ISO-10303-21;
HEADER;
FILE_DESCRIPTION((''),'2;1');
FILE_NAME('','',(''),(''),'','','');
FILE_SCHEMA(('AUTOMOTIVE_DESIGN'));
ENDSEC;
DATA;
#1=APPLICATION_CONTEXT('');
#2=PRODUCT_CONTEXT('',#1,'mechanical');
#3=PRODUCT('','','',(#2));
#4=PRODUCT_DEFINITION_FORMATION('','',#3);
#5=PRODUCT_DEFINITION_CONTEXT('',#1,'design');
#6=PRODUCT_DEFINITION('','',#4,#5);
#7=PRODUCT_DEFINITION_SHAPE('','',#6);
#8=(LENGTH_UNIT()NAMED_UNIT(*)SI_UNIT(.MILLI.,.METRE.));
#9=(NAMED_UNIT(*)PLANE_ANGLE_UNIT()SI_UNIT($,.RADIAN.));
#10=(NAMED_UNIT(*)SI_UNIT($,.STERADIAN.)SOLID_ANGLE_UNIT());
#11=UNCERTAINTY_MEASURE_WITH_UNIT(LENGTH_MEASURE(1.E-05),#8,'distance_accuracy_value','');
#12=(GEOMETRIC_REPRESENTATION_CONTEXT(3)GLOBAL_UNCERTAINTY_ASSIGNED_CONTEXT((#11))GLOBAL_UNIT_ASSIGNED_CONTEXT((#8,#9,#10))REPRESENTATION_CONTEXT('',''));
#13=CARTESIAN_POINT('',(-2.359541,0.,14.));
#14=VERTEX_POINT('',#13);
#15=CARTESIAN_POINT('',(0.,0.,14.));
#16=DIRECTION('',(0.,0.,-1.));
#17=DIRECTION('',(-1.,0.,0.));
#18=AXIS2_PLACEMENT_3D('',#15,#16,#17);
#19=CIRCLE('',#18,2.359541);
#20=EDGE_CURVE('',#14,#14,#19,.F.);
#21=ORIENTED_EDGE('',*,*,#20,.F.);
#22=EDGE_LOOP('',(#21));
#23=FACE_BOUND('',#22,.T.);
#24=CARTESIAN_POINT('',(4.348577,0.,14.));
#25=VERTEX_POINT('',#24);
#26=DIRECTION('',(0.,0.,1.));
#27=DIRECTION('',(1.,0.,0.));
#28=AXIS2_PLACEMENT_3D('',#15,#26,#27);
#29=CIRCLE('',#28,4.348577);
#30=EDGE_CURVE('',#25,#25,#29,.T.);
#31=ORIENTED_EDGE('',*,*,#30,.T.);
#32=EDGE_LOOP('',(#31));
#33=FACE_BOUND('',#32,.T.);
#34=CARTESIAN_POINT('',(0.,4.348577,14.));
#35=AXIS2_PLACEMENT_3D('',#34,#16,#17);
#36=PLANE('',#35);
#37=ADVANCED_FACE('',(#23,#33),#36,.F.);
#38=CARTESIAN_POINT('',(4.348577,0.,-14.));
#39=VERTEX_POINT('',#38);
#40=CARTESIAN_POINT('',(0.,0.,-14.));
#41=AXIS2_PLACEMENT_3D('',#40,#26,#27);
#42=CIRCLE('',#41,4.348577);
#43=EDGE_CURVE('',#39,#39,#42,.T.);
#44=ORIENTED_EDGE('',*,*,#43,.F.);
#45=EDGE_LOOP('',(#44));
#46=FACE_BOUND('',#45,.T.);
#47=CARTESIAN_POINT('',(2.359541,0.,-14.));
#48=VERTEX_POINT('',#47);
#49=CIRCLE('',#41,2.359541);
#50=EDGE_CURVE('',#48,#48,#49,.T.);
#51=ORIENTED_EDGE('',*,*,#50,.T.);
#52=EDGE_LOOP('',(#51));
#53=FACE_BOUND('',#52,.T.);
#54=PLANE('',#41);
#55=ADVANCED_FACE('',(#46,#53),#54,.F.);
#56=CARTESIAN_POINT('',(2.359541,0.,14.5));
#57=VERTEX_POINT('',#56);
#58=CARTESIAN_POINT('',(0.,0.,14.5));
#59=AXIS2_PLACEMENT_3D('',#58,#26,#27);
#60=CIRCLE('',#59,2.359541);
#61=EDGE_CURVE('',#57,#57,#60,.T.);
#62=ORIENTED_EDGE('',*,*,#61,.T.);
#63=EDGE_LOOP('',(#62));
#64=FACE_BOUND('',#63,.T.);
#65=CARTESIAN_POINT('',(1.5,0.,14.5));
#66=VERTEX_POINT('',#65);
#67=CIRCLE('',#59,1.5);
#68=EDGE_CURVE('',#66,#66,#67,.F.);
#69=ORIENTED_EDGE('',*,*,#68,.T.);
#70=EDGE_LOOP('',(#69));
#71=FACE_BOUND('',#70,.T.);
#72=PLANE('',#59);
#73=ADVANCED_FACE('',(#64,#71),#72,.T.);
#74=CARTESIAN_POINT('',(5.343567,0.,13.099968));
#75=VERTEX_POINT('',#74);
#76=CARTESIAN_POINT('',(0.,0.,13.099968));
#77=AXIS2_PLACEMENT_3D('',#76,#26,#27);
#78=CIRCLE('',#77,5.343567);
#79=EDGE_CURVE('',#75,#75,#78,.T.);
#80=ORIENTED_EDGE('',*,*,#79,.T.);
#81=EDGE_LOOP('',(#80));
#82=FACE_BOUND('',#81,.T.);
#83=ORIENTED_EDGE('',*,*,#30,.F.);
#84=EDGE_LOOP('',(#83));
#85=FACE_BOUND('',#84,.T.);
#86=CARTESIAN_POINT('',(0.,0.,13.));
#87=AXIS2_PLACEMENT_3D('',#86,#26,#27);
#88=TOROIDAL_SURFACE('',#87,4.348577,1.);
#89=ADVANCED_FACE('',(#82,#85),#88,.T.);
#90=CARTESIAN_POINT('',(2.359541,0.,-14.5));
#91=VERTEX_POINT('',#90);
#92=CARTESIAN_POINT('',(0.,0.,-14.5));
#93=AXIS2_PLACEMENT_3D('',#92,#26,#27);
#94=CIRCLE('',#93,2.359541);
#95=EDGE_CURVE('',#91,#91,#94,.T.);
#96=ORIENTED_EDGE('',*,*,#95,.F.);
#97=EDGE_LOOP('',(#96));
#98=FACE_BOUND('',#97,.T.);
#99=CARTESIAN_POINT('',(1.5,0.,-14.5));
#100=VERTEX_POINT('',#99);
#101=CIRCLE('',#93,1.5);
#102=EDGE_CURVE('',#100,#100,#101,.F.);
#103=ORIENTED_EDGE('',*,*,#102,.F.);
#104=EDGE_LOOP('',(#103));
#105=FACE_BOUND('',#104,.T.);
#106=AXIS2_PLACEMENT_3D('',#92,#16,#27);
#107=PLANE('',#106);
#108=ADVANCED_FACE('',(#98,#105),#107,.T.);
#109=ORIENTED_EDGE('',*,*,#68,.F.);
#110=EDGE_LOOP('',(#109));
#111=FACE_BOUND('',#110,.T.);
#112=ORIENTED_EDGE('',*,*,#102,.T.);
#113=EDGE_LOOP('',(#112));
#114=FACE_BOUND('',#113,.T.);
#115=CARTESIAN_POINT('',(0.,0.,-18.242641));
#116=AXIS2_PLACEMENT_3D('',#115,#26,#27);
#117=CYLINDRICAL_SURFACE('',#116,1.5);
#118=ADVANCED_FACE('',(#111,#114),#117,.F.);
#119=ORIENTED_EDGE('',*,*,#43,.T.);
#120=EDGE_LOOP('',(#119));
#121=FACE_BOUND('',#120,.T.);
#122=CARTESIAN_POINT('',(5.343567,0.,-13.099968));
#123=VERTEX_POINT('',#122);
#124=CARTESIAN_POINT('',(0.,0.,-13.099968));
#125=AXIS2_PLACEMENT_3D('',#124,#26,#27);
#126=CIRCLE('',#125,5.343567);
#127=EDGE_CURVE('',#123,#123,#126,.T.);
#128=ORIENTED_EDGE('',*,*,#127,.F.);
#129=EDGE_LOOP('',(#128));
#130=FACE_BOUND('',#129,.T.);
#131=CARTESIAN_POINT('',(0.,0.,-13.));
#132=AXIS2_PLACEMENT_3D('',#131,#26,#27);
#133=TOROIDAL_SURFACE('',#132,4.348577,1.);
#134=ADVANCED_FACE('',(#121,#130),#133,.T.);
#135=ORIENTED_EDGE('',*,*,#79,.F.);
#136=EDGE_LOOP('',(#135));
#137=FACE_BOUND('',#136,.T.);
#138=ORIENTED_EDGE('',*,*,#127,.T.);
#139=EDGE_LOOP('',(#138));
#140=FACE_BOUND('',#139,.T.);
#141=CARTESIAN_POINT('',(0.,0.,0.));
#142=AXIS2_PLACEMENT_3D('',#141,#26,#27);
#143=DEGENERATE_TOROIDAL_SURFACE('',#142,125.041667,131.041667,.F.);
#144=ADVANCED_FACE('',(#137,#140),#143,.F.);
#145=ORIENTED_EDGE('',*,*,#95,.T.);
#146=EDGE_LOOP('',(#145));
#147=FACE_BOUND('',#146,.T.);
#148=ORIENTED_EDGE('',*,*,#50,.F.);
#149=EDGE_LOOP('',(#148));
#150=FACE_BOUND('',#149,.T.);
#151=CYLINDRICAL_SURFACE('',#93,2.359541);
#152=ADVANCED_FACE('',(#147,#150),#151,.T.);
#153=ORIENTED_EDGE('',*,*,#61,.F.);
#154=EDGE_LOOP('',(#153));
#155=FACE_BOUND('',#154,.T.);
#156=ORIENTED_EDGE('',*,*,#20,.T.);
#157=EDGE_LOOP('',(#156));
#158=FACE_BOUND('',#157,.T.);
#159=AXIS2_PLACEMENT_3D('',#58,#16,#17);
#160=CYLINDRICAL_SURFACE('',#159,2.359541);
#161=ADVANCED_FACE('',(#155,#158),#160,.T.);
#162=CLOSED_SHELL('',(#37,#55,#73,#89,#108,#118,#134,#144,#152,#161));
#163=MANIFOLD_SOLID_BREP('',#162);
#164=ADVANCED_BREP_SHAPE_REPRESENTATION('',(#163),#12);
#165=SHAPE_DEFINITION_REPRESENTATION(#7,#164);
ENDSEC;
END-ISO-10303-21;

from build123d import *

# Parameters (mm, degrees)
SKETCH_2_R          = 1.5
CUT_EXTRUDE_1_DEPTH = 28
SKETCH_2_4_R        = 3.75
SKETCH_2_4_R_2      = 1.5
CUT_EXTRUDE_2_DEPTH = 1.5
EXTRUDE_START       = 1.5
SKETCH_4_R          = 3.75
SKETCH_4_R_2        = 1.5
EXTRUDE_2_DEPTH     = 1.5
EXTRUDE_START_2     = 0.5
SKETCH_5_R          = 2.359540806
SKETCH_5_R_2        = 1.5
EXTRUDE_3_DEPTH     = 0.5


with BuildPart() as part:
    # 草图1 → 旋转1 (revolve)
    with BuildSketch(Plane(origin=(0, 0, 0), x_dir=(0, 0, -1), z_dir=(1, 0, 0)), mode=Mode.PRIVATE) as revolve_1_sk:
        with BuildLine():
            Line((-14, 4.348576665), (-14, 0))
            Line((-14, 0), (14, 0))
            Line((14, 0), (14, 4.348576665))
            ThreePointArc((14, 4.348576665), (13.741609048, 5.019408999), (13.099967959, 5.343567322))
            ThreePointArc((13.099967959, 5.343567322), (0, 6), (-13.099967959, 5.343567322))
            ThreePointArc((-13.099967959, 5.343567322), (-13.741609048, 5.019408999), (-14, 4.348576665))
        make_face()
    revolve(revolve_1_sk.sketch.rotate(Axis((0, 0, 14), (0, 0, -1)), 90), axis=Axis((0, 0, 14), (0, 0, -1)))

    # 草图2 → 切除-拉伸1 (cut)
    with BuildSketch(Plane.XY.offset(14)):
        Circle(SKETCH_2_R)
    extrude(amount=-CUT_EXTRUDE_1_DEPTH, mode=Mode.SUBTRACT)

    # 草图2<4> → 切除-拉伸2 (cut)
    with BuildSketch(Plane.XY.offset(14)):
        Circle(SKETCH_2_4_R)
        Circle(SKETCH_2_4_R_2, mode=Mode.SUBTRACT)
    cut_extrude_2 = extrude(amount=-CUT_EXTRUDE_2_DEPTH, mode=Mode.SUBTRACT)

    # 镜向1: 切除-拉伸2 across plane
    add(cut_extrude_2.mirror(Plane.XY), mode=Mode.SUBTRACT)

    # 草图4 → 凸台-拉伸2 (add)
    with BuildSketch(Plane.XY.offset(12.5).offset(EXTRUDE_START)):
        Circle(SKETCH_4_R)
        Circle(SKETCH_4_R_2, mode=Mode.SUBTRACT)
    extrude_2 = extrude(amount=-EXTRUDE_2_DEPTH)

    # 草图5 → 凸台-拉伸3 (add)
    with BuildSketch(Plane.XY.offset(14).offset(EXTRUDE_START_2)):
        with Locations(Location((0, 0, 0), (0, 0, 180))):
            Circle(SKETCH_5_R)
        Circle(SKETCH_5_R_2, mode=Mode.SUBTRACT)
    extrude_3 = extrude(amount=-EXTRUDE_3_DEPTH)

    # 镜向4: 凸台-拉伸2, 凸台-拉伸3 across plane
    add(extrude_2.mirror(Plane.XY))
    add(extrude_3.mirror(Plane.XY))


solid = part.part
